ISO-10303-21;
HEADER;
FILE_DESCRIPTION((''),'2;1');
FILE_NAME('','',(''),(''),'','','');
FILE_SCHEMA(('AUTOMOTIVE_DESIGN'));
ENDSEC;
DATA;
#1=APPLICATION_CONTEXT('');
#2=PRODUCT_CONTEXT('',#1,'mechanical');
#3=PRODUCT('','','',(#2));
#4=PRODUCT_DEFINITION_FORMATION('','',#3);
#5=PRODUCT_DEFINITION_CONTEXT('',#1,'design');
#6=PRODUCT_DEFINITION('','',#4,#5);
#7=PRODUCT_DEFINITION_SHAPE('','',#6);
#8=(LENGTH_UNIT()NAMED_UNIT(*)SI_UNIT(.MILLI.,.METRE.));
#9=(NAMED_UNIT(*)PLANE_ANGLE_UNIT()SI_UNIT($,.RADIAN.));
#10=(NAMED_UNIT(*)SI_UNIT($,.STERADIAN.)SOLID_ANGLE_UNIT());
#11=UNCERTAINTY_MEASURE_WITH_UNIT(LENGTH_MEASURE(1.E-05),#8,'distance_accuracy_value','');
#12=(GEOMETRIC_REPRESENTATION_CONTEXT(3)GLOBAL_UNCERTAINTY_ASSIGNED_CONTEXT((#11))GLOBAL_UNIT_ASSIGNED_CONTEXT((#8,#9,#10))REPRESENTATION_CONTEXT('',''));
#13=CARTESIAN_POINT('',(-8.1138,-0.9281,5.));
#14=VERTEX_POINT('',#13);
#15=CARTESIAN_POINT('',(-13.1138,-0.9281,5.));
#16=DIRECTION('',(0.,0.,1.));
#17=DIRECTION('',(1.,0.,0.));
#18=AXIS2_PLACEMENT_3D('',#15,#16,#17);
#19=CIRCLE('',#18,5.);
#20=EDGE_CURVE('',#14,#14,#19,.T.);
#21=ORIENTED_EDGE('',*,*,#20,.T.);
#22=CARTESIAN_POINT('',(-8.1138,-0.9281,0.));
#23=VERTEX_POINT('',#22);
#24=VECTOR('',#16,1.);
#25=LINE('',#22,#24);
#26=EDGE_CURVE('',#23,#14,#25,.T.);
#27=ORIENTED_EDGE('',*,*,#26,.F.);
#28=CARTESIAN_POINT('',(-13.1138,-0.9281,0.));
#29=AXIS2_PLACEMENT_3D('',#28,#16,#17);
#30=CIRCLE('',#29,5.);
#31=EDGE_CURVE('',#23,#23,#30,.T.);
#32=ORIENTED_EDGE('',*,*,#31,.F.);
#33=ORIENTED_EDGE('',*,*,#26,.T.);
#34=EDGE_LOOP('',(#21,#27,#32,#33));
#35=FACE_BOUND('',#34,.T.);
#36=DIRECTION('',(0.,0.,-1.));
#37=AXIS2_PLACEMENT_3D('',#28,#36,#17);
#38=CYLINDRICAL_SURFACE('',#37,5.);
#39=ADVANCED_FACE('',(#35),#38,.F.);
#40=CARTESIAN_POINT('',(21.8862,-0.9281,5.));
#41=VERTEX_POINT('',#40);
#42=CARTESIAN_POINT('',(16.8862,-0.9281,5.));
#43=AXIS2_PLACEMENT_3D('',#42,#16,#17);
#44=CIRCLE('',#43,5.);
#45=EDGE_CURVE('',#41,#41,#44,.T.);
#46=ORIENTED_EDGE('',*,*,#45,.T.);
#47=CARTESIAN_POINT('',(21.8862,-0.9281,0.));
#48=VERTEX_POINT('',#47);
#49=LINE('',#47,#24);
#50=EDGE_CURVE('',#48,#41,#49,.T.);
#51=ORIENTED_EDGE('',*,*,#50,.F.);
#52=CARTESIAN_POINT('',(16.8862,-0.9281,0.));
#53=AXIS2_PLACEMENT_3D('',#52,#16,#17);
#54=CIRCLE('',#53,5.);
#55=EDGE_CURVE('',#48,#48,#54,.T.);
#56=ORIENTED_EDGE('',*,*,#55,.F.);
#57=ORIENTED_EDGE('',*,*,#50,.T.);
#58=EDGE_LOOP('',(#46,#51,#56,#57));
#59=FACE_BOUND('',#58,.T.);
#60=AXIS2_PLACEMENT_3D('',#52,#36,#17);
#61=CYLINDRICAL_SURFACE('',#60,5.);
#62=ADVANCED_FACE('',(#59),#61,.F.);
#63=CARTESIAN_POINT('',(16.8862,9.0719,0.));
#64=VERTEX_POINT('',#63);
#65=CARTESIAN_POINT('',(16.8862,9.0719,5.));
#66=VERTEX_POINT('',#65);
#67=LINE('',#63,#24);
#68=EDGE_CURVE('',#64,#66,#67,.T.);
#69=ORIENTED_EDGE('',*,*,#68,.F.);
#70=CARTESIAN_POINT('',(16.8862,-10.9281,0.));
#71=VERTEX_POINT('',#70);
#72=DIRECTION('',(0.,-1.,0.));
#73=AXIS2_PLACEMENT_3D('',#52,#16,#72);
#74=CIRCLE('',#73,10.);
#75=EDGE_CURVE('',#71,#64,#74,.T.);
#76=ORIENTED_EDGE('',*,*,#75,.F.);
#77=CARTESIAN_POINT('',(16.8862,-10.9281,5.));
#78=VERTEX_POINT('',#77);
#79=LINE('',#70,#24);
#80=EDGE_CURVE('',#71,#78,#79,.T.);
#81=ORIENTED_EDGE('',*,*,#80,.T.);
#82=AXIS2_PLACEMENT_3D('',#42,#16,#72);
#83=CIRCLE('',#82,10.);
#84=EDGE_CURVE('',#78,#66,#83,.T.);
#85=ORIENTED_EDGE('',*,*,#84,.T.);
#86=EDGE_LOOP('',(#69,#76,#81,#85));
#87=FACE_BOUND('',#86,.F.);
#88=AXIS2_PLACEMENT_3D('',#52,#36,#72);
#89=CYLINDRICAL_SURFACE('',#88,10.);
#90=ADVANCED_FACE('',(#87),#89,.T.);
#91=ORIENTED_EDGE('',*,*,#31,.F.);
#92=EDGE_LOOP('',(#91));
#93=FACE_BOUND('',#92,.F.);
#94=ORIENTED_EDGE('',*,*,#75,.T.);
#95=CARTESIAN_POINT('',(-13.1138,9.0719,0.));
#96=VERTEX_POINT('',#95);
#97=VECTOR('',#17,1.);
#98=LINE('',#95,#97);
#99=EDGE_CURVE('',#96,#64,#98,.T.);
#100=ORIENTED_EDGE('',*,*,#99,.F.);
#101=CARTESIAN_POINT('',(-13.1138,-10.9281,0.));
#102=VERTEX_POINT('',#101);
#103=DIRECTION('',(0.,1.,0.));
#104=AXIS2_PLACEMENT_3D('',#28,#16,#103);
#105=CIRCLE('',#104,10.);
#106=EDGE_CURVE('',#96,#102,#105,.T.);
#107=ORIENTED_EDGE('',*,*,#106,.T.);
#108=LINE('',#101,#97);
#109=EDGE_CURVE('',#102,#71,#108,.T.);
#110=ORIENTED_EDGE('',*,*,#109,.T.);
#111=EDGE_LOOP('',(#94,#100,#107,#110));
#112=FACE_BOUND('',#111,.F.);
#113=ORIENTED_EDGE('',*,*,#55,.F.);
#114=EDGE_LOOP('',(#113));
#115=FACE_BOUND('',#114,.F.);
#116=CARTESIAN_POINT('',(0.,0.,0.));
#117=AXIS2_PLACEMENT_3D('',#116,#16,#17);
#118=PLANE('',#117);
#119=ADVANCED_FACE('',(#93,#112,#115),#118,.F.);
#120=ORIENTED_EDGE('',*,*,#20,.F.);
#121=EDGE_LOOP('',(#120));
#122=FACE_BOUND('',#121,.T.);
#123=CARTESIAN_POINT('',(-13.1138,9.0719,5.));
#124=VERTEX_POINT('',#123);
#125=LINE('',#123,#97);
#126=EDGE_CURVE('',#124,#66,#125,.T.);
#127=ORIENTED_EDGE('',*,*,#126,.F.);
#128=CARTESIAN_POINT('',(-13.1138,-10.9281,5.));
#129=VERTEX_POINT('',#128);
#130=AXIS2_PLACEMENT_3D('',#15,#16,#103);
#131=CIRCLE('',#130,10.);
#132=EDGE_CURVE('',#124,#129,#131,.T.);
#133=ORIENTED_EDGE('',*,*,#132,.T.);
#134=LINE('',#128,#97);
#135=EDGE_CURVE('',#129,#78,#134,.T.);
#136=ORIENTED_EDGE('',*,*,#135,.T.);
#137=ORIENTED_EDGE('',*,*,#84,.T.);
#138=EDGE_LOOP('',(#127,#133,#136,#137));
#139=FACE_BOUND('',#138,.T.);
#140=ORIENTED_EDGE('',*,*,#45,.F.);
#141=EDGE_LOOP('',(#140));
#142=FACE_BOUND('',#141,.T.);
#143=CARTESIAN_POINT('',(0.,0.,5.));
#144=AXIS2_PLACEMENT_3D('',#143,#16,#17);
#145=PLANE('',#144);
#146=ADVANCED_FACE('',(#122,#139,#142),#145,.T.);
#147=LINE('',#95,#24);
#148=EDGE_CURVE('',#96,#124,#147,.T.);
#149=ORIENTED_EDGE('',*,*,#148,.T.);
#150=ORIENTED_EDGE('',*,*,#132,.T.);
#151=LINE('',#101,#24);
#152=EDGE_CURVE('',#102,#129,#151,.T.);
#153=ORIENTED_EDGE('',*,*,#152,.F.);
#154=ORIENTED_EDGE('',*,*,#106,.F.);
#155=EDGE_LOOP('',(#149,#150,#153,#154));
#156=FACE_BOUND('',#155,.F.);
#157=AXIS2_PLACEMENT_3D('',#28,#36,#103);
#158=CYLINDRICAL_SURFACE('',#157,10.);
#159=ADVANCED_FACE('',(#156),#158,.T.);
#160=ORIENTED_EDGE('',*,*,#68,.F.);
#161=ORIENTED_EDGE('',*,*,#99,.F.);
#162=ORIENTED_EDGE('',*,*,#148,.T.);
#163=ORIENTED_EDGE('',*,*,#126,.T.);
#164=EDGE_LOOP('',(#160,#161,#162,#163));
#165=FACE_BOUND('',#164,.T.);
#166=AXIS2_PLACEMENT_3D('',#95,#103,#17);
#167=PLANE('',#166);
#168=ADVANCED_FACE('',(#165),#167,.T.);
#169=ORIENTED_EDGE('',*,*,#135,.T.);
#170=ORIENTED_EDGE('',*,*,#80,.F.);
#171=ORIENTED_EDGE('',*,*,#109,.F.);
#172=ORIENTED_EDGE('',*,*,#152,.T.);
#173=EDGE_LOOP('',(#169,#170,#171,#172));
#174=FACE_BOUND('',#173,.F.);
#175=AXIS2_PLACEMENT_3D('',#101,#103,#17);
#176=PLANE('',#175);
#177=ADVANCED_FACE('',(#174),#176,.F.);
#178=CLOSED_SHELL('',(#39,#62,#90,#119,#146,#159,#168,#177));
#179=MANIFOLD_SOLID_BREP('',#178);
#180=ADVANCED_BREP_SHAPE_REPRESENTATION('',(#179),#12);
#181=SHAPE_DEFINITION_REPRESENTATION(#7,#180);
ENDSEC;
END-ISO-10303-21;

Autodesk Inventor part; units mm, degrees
ref_plane "YZ Plane" through (0, 0, 0) normal (1, 0, 0) x (0, 1, 0)
ref_plane "XZ Plane" through (0, 0, 0) normal (0, 1, 0) x (-1, 0, 0)
ref_plane "XY Plane" through (0, 0, 0) normal (0, 0, 1) x (1, 0, 0)
sketch "Sketch1" plane through (0, 0, 0) normal (0, 0, 1) x (1, 0, 0)
  arc A0 (-13.1138, 9.0719) -> (-13.1138, -10.9281) centre (-13.1138, -0.9281) ccw
  arc A1 (16.8862, -10.9281) -> (16.8862, 9.0719) centre (16.8862, -0.9281) ccw
  line L0 (-13.1138, 9.0719) -> (16.8862, 9.0719)
  line L1 (-13.1138, -10.9281) -> (16.8862, -10.9281)
  circle A2 centre (-13.1138, -0.9281) radius 5
  circle A3 centre (16.8862, -0.9281) radius 5
  point P0 (0, 0)
  dimension "d0" = 20
  dimension "d1" = 20
  dimension "d2" = 30
  dimension "d3" = 10
  dimension "d4" = 10
extrude "Extrusion1" add sketch "Sketch1" along normal blind 5
properties part number "lesson3"
